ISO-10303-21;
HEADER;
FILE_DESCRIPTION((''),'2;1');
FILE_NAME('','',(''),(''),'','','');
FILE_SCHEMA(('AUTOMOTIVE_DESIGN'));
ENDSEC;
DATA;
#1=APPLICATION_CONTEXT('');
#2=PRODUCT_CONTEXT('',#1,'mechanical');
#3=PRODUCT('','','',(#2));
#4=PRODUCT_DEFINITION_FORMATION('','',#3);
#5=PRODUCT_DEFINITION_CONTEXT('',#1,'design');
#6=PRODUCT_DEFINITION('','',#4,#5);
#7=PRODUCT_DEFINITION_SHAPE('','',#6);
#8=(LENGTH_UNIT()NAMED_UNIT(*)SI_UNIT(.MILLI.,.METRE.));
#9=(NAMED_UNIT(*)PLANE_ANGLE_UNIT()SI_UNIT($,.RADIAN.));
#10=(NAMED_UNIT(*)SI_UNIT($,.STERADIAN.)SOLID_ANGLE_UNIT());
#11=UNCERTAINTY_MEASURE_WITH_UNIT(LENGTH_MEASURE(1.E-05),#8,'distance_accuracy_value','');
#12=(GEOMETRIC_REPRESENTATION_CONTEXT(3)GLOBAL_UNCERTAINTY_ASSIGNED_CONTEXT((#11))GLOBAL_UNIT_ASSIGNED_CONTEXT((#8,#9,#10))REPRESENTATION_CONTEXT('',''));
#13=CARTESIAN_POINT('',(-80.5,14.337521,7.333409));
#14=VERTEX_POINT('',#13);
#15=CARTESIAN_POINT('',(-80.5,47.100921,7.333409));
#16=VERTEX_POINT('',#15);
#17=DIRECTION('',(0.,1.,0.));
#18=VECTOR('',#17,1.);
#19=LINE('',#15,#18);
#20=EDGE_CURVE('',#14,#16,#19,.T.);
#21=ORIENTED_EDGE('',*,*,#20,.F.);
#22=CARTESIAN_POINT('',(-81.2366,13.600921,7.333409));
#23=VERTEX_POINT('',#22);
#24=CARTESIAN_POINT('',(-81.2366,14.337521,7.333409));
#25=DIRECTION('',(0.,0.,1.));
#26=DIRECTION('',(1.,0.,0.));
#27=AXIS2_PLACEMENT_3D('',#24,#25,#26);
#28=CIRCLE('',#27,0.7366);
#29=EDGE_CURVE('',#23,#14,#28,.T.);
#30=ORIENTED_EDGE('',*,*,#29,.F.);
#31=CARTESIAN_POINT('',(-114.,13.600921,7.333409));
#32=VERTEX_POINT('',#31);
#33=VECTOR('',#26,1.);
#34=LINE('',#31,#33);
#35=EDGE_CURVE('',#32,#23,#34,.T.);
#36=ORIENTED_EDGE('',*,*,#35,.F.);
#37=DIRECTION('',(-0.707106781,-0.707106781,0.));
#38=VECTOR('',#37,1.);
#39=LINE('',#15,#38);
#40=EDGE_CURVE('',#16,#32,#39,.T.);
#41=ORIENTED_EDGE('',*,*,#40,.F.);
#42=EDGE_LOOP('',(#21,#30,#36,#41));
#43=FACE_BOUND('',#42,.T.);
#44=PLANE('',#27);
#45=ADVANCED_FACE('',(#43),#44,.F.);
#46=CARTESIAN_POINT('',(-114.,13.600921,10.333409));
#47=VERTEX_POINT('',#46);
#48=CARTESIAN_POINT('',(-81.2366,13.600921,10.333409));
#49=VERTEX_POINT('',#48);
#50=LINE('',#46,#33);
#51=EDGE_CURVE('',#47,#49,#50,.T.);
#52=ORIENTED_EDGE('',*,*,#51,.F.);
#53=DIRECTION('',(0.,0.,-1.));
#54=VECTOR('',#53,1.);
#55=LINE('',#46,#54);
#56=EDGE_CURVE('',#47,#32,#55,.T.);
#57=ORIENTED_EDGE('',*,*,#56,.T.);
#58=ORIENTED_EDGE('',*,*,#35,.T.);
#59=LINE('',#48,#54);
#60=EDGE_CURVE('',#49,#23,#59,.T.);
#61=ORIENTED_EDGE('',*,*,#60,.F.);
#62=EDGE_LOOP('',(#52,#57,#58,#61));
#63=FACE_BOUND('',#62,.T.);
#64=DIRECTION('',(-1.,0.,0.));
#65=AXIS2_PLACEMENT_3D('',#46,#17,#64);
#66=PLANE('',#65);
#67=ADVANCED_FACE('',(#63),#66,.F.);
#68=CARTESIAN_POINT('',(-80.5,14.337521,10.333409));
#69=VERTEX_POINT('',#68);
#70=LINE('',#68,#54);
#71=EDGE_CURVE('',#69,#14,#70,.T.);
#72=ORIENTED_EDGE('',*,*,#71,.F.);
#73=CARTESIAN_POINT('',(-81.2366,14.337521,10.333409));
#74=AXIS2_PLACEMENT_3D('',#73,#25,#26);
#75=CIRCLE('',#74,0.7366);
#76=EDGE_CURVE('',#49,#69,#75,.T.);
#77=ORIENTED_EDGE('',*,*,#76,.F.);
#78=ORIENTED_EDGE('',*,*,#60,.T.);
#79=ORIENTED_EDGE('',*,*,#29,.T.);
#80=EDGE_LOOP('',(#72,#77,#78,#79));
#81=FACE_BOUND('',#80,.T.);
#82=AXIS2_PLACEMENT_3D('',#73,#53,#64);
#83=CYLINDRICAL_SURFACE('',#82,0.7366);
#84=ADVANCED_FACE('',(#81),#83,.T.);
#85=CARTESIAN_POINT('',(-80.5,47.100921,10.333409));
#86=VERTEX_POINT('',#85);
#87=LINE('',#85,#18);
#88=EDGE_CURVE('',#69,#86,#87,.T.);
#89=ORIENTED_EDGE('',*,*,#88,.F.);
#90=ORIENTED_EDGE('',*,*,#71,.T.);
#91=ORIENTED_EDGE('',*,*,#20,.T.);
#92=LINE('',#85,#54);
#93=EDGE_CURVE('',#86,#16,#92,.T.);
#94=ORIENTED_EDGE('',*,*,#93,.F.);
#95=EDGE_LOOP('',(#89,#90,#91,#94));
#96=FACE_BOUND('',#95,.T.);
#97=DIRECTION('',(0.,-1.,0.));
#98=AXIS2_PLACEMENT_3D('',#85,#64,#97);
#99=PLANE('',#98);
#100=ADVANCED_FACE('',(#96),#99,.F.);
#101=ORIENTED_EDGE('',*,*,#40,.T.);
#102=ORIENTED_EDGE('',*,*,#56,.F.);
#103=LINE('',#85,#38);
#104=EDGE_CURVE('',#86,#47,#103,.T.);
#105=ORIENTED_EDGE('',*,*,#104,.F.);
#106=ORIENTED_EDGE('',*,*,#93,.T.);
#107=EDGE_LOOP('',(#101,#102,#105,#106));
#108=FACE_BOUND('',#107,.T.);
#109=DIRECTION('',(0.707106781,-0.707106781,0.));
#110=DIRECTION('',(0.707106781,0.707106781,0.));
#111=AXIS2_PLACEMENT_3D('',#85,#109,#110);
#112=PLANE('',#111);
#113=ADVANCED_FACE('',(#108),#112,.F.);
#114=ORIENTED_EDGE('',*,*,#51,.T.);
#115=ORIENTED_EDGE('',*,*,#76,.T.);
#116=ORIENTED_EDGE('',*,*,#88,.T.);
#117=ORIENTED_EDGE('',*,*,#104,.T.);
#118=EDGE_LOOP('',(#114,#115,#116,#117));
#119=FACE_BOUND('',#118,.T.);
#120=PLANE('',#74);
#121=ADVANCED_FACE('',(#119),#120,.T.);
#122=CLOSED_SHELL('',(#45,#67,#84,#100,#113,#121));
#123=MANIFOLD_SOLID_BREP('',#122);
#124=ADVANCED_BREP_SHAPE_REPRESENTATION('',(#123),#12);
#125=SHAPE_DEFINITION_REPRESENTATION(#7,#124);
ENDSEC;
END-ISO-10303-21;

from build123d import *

# Parameters (mm, degrees)
BOSS_EXTRUDE1_DEPTH = 1.5


with BuildPart() as part:
    # Sketch1 → Boss-Extrude1 (new, symmetric)
    with BuildSketch(Plane.XY.offset(8.833409082)):
        with BuildLine():
            Line((-114, 13.600921456), (-81.2366, 13.600921456))
            ThreePointArc((-81.2366, 13.600921456), (-80.715745145, 13.816666601), (-80.5, 14.337521456))
            Line((-80.5, 14.337521456), (-80.5, 47.100921456))
            Line((-80.5, 47.100921456), (-114, 13.600921456))
        make_face()
    extrude(amount=BOSS_EXTRUDE1_DEPTH, both=True)


solid = part.part
